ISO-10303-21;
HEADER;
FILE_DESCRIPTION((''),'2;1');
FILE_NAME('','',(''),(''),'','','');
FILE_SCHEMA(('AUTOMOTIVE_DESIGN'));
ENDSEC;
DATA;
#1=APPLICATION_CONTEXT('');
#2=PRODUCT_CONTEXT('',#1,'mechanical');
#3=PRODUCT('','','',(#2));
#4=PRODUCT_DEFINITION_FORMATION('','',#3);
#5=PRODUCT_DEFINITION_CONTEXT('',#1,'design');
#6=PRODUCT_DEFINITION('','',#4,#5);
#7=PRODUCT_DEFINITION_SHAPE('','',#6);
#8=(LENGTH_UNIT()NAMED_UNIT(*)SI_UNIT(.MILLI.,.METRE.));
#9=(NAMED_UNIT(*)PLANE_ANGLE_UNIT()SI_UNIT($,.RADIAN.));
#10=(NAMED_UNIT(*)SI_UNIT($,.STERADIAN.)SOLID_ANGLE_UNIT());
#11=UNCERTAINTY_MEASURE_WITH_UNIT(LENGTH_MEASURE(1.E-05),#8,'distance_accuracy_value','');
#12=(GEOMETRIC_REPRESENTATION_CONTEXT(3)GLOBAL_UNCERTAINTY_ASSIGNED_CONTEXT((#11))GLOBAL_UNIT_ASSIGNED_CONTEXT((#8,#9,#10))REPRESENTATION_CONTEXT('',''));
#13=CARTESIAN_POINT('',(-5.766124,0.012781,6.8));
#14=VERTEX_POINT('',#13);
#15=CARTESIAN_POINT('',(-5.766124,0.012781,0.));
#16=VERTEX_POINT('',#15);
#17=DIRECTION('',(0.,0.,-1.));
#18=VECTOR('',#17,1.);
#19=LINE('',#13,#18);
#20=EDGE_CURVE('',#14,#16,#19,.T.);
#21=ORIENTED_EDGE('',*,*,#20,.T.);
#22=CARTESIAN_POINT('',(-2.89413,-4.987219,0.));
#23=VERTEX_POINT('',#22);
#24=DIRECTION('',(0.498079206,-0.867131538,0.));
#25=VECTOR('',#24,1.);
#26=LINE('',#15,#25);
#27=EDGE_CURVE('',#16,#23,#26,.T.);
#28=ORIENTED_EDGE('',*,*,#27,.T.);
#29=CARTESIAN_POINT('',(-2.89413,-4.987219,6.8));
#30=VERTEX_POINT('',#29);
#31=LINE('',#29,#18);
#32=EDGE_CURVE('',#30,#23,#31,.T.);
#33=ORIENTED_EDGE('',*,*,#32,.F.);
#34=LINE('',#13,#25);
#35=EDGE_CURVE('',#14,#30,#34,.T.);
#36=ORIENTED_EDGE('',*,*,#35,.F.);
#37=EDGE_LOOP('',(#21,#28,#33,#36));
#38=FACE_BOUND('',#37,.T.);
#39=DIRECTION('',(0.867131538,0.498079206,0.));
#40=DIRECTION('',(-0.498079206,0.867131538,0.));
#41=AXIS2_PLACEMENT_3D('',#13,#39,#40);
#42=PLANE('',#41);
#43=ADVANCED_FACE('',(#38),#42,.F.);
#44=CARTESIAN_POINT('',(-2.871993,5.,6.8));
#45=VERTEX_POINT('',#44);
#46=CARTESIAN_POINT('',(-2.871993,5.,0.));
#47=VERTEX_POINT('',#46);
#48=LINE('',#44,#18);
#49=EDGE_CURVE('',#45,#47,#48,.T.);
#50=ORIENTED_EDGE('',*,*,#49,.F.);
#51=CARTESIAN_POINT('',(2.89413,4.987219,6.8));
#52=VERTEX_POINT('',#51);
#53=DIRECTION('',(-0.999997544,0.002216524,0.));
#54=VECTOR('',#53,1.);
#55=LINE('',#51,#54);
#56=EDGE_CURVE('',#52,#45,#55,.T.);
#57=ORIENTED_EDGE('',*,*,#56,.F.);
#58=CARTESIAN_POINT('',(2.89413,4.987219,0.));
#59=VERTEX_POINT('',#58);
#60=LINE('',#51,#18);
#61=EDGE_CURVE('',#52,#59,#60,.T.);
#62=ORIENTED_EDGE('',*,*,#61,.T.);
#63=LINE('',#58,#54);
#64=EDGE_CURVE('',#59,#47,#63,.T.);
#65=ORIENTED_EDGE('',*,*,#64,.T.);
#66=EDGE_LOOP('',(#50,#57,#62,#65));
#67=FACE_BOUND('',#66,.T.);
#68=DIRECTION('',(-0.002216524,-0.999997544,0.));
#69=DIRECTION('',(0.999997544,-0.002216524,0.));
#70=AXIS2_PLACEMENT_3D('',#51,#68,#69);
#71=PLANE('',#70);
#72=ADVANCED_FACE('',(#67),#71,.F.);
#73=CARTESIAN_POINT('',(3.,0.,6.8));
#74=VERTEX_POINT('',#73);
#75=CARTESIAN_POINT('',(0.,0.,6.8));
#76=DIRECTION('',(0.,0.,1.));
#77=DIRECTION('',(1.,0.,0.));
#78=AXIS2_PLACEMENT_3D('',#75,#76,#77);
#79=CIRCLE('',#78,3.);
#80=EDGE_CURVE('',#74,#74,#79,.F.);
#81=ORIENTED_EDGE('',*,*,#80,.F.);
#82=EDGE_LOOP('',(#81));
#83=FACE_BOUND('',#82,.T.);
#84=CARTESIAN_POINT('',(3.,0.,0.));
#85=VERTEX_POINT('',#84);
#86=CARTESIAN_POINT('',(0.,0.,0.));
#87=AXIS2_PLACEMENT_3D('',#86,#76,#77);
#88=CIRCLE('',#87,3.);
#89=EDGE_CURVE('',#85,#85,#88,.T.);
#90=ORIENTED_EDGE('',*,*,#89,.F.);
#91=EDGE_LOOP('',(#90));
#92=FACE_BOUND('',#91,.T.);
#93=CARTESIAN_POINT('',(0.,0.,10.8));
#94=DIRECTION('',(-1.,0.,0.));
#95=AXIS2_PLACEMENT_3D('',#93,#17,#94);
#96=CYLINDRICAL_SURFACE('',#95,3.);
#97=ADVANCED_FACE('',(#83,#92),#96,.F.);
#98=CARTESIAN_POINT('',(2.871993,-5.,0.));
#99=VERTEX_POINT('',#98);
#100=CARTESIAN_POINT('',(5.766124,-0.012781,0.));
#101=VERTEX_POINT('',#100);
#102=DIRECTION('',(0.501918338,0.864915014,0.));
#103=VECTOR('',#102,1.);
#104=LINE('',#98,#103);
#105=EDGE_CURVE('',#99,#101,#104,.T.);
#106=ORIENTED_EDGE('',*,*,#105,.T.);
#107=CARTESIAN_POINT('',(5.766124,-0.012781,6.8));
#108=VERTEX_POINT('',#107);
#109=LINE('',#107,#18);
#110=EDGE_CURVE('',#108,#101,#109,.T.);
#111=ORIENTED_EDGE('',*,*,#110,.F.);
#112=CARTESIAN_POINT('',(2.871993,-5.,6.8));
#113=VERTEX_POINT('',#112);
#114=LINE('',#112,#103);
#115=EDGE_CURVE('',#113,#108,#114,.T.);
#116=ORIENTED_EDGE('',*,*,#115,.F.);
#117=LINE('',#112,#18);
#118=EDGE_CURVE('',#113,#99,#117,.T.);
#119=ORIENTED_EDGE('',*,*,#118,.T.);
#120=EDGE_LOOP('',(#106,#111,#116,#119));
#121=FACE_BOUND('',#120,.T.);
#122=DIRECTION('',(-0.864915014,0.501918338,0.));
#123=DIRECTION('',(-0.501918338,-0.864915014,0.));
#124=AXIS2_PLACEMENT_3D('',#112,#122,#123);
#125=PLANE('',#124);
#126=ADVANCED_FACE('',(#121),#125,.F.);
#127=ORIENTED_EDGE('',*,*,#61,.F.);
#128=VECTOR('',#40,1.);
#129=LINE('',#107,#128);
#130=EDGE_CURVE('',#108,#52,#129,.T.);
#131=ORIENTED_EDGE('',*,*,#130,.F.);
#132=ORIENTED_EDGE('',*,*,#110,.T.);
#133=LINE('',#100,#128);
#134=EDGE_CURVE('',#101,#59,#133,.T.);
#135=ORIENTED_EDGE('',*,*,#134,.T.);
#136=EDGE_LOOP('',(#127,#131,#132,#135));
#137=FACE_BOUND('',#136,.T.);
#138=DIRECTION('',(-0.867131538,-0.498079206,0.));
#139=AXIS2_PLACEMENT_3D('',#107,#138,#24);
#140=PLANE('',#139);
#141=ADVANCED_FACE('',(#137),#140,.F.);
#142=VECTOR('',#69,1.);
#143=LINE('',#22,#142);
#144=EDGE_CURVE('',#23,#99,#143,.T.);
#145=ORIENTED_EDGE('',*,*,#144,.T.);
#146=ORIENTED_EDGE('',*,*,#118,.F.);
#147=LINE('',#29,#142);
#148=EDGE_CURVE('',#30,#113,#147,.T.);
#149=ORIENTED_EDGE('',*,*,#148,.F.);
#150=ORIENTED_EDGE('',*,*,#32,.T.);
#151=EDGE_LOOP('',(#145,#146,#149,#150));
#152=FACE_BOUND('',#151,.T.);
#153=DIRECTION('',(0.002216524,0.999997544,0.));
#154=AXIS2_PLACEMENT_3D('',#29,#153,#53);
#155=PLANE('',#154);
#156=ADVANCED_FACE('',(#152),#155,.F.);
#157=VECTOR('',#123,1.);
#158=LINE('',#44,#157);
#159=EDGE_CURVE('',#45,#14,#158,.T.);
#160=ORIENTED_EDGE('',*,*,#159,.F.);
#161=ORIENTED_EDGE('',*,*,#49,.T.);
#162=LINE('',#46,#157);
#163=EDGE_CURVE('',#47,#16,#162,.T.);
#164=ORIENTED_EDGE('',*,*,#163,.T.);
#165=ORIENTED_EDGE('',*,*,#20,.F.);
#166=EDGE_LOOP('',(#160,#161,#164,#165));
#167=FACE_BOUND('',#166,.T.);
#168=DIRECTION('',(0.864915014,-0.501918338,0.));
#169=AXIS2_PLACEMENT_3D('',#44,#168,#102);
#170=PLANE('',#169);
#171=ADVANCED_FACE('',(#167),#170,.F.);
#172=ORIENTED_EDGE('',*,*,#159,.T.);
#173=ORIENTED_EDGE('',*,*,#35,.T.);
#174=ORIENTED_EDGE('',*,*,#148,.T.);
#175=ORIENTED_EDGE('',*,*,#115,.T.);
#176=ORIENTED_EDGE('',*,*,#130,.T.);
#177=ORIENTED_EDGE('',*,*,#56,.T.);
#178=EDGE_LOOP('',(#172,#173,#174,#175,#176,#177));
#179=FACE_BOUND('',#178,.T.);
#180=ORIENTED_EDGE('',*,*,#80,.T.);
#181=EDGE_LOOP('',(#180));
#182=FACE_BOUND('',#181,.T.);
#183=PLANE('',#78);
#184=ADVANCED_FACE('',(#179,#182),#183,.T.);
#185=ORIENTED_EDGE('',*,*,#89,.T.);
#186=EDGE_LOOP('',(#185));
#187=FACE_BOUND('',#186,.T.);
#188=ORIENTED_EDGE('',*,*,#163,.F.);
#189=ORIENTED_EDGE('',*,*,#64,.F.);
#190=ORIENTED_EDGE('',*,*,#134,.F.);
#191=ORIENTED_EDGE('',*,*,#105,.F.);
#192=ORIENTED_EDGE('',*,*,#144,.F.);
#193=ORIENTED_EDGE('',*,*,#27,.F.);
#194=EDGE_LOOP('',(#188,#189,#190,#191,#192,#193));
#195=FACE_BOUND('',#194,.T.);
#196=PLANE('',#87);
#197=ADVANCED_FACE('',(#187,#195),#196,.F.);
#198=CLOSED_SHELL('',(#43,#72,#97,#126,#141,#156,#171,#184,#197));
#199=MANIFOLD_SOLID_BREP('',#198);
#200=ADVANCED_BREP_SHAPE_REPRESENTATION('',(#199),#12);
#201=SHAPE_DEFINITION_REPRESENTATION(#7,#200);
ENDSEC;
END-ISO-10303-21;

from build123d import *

# Parameters (mm, degrees)
DODANIE_WYCI_GNI_CIE1_DEPTH = 6.8
SZKIC2_R                    = 3
WYTNIJ_WYCI_GNI_CIE1_DEPTH  = 10.8


with BuildPart() as part:
    # Szkic1 → Dodanie-wyciągnięcie1 (new body)
    with BuildSketch(Plane.XY):
        Polygon((-2.87199337, 5), (-5.766123704, 0.012780782), (-2.894130334, -4.987219218), (2.87199337, -5), (5.766123704, -0.012780782), (2.894130334, 4.987219218), align=None)
    extrude(amount=DODANIE_WYCI_GNI_CIE1_DEPTH)

    # Szkic2 → Wytnij-wyciągnięcie1 (cut)
    with BuildSketch(Plane.XY):
        Circle(SZKIC2_R)
    extrude(amount=WYTNIJ_WYCI_GNI_CIE1_DEPTH, mode=Mode.SUBTRACT)


solid = part.part
